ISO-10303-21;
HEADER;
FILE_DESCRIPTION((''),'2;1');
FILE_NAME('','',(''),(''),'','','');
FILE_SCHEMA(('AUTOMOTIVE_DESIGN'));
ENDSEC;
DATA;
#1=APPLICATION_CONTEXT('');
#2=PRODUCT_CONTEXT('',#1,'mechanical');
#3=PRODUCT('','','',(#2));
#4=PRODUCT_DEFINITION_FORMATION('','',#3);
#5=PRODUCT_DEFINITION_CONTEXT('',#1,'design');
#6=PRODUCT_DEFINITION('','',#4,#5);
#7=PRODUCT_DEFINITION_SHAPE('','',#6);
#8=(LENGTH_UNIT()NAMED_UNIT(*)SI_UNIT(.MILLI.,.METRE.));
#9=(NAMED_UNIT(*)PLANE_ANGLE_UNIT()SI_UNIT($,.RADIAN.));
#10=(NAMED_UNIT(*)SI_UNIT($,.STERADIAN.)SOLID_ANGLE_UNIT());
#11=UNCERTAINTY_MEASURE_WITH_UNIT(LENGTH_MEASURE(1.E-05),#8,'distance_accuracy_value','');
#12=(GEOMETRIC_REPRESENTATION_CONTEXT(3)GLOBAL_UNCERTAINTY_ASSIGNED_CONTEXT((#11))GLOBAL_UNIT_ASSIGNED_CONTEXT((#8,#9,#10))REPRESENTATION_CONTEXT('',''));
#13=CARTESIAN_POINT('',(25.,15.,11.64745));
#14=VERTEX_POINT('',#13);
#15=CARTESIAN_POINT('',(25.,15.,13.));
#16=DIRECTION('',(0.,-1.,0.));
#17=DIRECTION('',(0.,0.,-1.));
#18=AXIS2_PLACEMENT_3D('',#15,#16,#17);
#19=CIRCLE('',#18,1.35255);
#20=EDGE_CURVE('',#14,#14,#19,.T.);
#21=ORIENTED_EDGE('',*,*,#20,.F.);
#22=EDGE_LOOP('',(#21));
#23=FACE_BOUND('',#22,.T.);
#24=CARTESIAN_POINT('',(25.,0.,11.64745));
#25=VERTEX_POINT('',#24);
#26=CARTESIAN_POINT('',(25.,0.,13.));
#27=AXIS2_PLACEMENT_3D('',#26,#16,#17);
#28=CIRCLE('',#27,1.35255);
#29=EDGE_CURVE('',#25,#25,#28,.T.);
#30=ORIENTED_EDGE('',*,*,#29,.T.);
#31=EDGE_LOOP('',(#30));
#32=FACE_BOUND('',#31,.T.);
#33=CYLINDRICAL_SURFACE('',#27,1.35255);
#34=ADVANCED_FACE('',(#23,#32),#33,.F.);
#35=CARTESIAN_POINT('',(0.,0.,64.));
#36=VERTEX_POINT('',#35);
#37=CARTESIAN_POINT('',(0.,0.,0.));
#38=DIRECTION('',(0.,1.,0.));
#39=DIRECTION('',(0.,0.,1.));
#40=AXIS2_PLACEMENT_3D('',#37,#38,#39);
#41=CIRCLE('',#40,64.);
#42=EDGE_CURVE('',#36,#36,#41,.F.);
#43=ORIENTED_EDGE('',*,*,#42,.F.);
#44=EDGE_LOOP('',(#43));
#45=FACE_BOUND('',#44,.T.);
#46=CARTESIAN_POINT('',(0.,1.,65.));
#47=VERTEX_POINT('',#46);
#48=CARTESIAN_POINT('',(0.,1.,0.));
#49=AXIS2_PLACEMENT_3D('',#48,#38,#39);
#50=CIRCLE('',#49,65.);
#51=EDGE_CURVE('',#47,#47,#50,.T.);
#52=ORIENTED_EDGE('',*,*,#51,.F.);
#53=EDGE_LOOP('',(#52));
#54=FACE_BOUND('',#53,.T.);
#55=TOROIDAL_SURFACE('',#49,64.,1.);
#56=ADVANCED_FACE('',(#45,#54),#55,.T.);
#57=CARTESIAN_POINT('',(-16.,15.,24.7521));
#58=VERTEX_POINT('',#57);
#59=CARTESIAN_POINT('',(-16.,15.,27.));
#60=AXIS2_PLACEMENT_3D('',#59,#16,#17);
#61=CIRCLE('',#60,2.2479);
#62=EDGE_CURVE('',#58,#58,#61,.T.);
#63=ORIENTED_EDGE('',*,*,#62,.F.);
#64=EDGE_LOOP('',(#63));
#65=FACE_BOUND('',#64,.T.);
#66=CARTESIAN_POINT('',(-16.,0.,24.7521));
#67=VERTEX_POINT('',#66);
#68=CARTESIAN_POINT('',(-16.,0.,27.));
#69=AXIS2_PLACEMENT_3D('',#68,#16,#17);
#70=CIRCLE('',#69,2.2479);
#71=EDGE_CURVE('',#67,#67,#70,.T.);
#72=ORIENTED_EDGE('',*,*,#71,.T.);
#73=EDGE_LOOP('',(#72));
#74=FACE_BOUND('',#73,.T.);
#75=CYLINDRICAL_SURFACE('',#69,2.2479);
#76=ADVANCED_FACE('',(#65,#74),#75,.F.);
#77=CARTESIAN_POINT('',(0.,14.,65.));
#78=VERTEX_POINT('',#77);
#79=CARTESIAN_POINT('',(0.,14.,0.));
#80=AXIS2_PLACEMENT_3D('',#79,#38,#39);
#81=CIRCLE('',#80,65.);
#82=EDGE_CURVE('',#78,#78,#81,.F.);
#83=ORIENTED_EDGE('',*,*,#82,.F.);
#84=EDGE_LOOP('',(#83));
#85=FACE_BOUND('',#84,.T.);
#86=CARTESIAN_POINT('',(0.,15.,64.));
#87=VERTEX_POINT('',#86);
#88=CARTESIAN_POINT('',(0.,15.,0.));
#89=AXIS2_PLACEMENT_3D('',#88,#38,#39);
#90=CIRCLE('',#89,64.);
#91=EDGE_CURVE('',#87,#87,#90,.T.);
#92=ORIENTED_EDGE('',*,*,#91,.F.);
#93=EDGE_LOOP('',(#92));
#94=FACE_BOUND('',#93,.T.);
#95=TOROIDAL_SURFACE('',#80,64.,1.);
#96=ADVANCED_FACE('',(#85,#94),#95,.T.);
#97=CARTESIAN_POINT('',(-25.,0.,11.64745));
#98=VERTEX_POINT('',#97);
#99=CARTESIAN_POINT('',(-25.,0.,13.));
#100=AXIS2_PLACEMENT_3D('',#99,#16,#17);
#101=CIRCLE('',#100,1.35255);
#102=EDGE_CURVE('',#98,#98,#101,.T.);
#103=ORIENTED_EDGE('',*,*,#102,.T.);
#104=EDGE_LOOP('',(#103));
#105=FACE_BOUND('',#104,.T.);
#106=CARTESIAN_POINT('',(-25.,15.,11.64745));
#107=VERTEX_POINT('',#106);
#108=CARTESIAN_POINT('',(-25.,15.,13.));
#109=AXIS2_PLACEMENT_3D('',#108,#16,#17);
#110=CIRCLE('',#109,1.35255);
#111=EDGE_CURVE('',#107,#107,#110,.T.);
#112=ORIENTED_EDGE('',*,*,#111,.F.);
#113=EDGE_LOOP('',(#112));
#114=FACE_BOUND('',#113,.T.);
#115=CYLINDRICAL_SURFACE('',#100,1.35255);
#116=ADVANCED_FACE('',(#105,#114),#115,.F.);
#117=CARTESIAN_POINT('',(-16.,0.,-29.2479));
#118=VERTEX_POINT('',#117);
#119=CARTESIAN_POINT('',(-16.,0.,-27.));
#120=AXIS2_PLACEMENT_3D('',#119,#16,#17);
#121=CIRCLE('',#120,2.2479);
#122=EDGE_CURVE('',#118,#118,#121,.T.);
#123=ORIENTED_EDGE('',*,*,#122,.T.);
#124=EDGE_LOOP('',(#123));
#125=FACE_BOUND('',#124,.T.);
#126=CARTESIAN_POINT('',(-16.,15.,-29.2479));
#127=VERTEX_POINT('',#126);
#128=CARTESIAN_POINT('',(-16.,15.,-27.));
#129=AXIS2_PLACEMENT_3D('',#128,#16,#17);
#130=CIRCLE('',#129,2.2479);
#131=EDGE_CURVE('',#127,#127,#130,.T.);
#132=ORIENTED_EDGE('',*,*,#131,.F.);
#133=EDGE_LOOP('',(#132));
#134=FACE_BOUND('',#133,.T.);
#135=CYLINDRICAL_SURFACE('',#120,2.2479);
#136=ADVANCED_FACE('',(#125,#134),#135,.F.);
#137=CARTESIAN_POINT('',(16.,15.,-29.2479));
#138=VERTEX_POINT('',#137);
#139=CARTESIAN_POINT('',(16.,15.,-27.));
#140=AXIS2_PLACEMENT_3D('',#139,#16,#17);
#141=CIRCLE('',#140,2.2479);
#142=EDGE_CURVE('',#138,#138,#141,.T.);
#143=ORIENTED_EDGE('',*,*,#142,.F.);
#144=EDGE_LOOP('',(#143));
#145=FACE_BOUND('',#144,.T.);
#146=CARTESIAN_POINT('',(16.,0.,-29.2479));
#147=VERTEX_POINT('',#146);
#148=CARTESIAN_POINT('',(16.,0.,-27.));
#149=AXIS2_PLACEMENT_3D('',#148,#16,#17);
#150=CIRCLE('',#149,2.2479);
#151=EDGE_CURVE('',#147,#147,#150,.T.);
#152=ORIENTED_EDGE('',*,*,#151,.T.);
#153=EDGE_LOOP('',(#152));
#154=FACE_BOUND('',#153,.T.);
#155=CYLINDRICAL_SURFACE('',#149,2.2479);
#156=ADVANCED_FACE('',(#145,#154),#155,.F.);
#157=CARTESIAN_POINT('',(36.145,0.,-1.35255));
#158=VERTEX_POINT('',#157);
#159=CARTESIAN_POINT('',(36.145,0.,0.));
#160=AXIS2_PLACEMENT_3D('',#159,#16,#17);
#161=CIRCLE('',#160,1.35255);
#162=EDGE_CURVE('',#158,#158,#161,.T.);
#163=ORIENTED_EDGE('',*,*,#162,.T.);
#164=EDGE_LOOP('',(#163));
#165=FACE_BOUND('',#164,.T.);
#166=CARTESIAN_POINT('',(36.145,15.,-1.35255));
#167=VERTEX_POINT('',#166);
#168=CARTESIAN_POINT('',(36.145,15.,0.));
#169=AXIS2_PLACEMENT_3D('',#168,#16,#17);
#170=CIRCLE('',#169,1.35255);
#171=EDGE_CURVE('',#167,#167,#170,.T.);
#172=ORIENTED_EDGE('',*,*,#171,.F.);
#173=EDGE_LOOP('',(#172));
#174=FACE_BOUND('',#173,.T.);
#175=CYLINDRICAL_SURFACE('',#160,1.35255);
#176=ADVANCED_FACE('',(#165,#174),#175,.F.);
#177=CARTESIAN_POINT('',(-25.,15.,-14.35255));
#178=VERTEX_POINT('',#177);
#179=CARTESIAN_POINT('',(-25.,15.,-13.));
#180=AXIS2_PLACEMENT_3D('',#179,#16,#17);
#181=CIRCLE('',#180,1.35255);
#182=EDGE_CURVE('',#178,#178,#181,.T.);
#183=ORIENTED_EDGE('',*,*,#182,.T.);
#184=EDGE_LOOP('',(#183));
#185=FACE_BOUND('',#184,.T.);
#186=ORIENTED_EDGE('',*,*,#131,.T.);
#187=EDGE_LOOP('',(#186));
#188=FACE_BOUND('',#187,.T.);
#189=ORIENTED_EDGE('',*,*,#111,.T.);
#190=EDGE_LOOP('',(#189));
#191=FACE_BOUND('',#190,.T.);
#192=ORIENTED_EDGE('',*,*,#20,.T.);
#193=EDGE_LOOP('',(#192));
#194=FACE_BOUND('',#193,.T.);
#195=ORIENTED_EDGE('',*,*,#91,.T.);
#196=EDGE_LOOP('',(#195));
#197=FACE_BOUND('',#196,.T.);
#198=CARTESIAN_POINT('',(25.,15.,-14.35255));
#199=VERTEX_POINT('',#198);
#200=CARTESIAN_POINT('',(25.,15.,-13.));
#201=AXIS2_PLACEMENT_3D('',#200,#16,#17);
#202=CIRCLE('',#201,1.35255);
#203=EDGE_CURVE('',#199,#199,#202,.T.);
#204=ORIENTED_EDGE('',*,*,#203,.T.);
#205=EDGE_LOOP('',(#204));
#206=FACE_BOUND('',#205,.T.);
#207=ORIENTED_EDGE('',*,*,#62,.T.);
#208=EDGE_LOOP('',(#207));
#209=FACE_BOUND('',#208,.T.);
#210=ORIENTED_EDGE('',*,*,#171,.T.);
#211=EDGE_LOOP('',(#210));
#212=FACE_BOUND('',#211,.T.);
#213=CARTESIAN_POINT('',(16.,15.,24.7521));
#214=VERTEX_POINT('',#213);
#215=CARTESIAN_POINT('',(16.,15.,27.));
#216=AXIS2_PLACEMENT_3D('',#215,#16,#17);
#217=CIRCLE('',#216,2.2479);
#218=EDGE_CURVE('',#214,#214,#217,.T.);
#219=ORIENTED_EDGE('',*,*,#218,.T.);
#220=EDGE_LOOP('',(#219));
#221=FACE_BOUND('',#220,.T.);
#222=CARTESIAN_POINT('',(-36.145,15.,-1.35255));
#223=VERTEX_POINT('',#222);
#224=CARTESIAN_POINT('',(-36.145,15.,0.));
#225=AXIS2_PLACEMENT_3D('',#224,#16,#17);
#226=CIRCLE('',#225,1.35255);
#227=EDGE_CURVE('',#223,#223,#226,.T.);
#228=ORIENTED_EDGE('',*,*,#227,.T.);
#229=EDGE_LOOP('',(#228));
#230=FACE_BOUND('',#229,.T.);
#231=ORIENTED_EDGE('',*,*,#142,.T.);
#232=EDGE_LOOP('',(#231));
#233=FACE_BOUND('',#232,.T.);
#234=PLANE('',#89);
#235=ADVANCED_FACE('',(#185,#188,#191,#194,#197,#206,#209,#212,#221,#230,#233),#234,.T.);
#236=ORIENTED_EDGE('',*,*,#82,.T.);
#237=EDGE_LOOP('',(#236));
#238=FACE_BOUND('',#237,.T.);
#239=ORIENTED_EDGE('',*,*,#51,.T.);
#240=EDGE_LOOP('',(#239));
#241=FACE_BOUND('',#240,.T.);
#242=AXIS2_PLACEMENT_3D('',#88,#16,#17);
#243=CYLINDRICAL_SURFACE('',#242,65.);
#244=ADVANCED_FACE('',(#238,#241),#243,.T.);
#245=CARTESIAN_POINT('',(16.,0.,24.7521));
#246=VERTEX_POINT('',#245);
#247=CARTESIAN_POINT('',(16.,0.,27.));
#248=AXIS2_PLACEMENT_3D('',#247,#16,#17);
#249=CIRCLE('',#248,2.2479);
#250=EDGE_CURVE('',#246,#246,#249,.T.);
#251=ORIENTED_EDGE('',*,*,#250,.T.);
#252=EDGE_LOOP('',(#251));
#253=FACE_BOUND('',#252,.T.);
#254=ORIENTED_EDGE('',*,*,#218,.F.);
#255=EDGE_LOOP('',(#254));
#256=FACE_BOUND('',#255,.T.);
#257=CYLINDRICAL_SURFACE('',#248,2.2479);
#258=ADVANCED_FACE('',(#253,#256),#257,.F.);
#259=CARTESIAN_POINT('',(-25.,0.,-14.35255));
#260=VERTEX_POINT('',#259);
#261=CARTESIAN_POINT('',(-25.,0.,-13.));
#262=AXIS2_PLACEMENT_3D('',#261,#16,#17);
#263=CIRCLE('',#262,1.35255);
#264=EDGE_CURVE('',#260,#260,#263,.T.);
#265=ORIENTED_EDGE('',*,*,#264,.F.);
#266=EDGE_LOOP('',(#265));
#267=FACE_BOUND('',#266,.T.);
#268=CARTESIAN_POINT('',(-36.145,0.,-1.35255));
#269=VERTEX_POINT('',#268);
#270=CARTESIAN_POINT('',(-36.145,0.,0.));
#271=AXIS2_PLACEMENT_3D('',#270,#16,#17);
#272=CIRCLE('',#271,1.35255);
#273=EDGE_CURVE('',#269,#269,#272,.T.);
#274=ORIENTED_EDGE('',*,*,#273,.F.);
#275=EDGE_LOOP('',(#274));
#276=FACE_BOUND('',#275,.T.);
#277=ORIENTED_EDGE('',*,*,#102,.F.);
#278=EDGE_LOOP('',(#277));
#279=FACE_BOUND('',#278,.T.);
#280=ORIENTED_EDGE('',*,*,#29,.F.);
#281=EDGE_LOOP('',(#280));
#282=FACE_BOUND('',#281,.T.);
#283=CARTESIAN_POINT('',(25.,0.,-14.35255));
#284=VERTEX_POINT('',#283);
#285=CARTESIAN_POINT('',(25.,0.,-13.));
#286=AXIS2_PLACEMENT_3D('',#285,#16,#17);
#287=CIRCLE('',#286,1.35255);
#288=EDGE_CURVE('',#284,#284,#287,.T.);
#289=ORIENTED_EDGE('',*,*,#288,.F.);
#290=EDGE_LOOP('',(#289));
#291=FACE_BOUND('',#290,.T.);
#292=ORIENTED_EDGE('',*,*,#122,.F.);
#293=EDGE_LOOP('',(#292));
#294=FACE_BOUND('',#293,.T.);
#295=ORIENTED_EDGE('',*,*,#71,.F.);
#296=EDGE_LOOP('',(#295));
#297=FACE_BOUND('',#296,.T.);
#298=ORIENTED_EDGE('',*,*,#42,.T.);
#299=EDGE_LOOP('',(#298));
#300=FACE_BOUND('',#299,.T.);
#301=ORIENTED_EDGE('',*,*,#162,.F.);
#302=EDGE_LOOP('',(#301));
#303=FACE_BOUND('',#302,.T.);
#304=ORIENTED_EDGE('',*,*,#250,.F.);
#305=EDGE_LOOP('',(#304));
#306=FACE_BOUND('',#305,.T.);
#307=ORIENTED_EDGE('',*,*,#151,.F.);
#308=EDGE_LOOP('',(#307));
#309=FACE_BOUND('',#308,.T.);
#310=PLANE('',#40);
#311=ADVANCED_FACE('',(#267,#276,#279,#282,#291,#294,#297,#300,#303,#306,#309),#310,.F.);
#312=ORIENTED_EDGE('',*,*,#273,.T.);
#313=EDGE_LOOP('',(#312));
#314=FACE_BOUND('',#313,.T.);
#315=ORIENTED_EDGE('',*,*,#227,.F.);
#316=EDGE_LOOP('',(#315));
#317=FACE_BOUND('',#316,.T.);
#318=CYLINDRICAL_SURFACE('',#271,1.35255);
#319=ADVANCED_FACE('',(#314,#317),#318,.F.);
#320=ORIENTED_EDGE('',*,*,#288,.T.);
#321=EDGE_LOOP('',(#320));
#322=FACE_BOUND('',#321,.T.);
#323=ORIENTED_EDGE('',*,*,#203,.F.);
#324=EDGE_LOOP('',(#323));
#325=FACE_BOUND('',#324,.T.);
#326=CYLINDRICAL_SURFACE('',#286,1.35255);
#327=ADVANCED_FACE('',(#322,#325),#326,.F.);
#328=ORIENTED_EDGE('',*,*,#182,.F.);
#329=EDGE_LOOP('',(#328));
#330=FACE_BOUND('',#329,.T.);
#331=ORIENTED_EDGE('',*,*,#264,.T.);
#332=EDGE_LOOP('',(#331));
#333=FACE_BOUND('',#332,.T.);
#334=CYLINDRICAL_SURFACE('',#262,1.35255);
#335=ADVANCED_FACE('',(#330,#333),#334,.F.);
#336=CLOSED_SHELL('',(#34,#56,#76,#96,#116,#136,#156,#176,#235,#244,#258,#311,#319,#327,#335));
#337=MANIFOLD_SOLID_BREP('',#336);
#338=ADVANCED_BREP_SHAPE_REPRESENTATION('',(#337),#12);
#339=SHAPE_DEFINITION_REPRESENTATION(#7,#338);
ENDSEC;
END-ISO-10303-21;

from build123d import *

# Parameters (mm, degrees)
SKETCH1_R             = 65
BOSS_EXTRUDE1_DEPTH   = 15
FILLET1_R             = 1
F_6_32_TAPPED_HOLE1_D = 2.7051
F_8_CLEARANCE_HOLE1_D = 4.4958


with BuildPart() as part:
    # Sketch1 → Boss-Extrude1 (new body)
    with BuildSketch(Plane(origin=(0, 0, 0), x_dir=(1, 0, 0), z_dir=(0, 1, 0))):
        with Locations(Location((0, 0, 0), (0, 0, 270))):
            Circle(SKETCH1_R)
    extrude(amount=BOSS_EXTRUDE1_DEPTH)

    # Fillet1
    fillet1_edges = [part.edges().sort_by_distance(p)[0] for p in [
        (0, 0, -65),
        (0, 15, -65),
    ]]
    fillet(fillet1_edges, radius=FILLET1_R)

    # #6-32 Tapped Hole1 (through all)
    with Locations(Plane.XZ):
        with Locations((-36.145, 0), (36.145, 0), (-25, -13), (-25, 13), (25, 13), (25, -13)):
            Hole(F_6_32_TAPPED_HOLE1_D / 2)

    # #8 Clearance Hole1 (through all)
    with Locations(Plane(origin=(0, 0, 0), x_dir=(-1, 0, 0), z_dir=(0, -1, 0))):
        with Locations((16, -27), (-16, -27), (16, 27), (-16, 27)):
            Hole(F_8_CLEARANCE_HOLE1_D / 2)


solid = part.part
